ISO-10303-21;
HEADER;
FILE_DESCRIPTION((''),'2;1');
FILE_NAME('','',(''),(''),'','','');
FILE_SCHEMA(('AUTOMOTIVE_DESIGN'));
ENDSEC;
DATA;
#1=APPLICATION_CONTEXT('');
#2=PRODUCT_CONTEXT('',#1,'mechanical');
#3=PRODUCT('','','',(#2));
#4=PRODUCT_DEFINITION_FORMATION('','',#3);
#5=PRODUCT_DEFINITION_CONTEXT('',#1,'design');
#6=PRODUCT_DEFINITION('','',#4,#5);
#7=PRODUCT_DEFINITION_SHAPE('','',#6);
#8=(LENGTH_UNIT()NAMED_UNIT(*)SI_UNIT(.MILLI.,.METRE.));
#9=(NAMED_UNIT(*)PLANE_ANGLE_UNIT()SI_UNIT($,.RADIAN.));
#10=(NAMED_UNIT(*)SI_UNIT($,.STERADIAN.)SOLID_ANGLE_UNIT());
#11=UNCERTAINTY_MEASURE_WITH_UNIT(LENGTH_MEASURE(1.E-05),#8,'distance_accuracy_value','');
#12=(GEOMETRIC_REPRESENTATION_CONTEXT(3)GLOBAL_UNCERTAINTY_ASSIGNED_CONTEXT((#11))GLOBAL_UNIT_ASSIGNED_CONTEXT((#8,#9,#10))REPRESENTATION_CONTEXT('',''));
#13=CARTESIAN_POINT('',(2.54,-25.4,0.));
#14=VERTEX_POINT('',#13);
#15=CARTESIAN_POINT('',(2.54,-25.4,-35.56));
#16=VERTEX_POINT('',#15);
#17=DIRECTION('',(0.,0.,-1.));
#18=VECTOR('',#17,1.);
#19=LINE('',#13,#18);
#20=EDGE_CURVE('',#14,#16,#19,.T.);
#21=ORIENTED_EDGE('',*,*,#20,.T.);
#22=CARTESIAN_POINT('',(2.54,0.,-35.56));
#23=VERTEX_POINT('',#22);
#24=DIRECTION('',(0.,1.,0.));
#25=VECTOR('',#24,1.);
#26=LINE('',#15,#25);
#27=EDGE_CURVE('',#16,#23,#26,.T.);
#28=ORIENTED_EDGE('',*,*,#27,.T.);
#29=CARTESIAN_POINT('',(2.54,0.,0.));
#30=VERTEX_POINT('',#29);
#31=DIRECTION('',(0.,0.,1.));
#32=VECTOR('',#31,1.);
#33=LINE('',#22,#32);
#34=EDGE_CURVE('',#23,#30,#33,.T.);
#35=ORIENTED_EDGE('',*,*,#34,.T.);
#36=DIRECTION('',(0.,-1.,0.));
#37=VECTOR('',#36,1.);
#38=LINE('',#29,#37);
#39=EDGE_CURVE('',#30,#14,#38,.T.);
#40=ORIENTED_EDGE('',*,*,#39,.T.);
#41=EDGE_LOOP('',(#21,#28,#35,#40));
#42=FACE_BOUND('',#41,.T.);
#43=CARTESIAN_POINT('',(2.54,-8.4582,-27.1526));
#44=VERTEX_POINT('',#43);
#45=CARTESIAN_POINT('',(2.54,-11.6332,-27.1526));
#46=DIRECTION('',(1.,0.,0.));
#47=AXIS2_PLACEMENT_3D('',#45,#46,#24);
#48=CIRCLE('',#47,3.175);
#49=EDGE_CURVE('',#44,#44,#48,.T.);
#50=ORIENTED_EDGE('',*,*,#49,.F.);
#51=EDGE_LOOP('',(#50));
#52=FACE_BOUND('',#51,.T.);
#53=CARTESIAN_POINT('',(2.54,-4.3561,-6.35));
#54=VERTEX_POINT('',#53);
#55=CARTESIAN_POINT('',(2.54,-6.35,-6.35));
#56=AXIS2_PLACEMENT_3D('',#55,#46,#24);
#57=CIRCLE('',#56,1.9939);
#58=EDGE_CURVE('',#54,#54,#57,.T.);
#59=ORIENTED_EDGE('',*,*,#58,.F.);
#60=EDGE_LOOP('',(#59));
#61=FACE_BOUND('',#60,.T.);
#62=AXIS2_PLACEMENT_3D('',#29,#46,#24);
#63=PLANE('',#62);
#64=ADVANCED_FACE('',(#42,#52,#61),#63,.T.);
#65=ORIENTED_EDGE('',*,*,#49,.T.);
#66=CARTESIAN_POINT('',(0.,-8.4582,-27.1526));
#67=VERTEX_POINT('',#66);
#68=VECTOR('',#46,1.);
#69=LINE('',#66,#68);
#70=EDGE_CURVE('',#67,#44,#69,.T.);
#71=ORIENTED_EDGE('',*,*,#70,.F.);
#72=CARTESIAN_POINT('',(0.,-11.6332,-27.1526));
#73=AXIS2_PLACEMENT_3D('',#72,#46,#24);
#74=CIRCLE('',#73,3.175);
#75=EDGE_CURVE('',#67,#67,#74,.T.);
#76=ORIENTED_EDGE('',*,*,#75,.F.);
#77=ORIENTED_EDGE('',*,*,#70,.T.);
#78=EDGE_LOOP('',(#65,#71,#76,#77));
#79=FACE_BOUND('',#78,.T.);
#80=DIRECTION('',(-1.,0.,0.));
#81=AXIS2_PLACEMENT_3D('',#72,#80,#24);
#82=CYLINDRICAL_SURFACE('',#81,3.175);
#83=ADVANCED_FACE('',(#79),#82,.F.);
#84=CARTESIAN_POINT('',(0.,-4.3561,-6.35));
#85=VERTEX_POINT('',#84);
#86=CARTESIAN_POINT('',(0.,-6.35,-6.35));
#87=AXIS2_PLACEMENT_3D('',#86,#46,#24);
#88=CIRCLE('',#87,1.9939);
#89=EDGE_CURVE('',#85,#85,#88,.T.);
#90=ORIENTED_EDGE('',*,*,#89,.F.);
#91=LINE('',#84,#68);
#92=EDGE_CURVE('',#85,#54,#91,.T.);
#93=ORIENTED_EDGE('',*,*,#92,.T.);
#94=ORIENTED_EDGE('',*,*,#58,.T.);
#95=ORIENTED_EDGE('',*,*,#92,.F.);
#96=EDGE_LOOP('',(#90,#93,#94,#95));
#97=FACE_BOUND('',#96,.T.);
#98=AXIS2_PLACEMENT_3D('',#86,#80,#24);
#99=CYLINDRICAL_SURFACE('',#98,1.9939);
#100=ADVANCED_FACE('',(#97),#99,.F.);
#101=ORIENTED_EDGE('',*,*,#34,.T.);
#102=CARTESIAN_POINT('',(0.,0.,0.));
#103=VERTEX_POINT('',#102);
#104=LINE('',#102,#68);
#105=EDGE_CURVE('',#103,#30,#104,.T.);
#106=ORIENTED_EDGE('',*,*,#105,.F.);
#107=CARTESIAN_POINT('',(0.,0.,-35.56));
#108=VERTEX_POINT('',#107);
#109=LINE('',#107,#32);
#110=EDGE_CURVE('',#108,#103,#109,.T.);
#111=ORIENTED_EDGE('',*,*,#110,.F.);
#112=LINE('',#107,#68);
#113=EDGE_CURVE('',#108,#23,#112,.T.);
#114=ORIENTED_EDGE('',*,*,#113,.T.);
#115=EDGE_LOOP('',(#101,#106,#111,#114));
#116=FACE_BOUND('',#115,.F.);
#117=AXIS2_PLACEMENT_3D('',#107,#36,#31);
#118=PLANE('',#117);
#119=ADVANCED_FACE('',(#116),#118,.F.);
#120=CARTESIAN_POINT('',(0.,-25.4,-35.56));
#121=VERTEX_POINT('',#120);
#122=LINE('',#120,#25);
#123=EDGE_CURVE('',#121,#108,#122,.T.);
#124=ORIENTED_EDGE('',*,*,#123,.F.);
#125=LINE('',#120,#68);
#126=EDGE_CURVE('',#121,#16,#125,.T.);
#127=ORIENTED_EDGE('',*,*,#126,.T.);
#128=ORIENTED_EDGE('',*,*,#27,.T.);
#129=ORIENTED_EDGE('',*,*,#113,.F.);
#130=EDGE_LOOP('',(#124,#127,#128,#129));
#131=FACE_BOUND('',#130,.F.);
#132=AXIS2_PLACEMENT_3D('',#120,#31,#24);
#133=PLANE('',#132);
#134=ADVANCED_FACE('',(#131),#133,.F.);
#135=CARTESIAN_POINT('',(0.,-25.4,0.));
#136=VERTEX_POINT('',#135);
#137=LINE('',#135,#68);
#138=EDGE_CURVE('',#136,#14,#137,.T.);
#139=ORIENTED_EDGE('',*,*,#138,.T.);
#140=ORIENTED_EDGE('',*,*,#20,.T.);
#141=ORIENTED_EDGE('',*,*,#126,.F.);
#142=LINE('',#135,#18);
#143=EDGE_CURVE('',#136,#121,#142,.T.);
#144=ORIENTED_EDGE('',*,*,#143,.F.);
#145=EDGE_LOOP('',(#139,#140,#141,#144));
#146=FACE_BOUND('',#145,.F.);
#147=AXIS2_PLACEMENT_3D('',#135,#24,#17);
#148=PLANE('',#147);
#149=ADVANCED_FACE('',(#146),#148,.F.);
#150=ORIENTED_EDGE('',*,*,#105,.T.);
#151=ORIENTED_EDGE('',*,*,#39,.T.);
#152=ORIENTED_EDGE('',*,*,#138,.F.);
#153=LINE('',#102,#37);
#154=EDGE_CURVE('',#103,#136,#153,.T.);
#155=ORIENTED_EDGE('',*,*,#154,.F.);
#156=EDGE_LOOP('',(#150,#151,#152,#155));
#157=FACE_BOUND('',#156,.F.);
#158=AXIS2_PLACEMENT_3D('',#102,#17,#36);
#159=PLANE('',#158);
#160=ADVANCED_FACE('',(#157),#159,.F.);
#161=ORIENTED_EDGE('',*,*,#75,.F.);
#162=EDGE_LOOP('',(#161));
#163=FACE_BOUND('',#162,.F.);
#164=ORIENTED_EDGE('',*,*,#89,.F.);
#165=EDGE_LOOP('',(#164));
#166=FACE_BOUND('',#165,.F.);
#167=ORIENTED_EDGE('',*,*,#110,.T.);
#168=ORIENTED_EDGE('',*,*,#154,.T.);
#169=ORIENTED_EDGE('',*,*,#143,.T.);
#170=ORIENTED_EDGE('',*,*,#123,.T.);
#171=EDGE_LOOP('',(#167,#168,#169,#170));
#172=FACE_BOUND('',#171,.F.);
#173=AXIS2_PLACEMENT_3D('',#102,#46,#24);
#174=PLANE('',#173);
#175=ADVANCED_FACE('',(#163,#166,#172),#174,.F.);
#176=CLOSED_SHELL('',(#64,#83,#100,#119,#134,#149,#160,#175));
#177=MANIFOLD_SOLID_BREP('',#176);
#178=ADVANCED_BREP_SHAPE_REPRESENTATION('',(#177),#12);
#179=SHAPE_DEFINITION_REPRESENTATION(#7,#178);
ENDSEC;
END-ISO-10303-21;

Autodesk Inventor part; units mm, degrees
ref_plane "YZ Plane" through (0, 0, 0) normal (1, 0, 0) x (0, 1, 0)
ref_plane "XZ Plane" through (0, 0, 0) normal (0, 1, 0) x (-1, 0, 0)
ref_plane "XY Plane" through (0, 0, 0) normal (0, 0, 1) x (1, 0, 0)
sketch "Sketch1" plane through (0, 0, 0) normal (1, 0, 0) x (0, 1, 0)
  circle A0 centre (-6.35, -6.35) radius 1.9939
  circle A1 centre (-11.6332, -27.1526) radius 3.175
  line L0 (0, 0) -> (-25.4, 0)
  line L1 (-25.4, 0) -> (-25.4, -35.56)
  line L2 (-25.4, -35.56) -> (0, -35.56)
  line L3 (0, -35.56) -> (0, 0)
  dimension "d2" = 3.9878
  dimension "d5" = 6.35
  dimension "d6" = 25.4
  dimension "d7" = 35.56
extrude "Extrusion1" add sketch "Sketch1" along normal blind 2.54
properties part number "mounting bracket"
